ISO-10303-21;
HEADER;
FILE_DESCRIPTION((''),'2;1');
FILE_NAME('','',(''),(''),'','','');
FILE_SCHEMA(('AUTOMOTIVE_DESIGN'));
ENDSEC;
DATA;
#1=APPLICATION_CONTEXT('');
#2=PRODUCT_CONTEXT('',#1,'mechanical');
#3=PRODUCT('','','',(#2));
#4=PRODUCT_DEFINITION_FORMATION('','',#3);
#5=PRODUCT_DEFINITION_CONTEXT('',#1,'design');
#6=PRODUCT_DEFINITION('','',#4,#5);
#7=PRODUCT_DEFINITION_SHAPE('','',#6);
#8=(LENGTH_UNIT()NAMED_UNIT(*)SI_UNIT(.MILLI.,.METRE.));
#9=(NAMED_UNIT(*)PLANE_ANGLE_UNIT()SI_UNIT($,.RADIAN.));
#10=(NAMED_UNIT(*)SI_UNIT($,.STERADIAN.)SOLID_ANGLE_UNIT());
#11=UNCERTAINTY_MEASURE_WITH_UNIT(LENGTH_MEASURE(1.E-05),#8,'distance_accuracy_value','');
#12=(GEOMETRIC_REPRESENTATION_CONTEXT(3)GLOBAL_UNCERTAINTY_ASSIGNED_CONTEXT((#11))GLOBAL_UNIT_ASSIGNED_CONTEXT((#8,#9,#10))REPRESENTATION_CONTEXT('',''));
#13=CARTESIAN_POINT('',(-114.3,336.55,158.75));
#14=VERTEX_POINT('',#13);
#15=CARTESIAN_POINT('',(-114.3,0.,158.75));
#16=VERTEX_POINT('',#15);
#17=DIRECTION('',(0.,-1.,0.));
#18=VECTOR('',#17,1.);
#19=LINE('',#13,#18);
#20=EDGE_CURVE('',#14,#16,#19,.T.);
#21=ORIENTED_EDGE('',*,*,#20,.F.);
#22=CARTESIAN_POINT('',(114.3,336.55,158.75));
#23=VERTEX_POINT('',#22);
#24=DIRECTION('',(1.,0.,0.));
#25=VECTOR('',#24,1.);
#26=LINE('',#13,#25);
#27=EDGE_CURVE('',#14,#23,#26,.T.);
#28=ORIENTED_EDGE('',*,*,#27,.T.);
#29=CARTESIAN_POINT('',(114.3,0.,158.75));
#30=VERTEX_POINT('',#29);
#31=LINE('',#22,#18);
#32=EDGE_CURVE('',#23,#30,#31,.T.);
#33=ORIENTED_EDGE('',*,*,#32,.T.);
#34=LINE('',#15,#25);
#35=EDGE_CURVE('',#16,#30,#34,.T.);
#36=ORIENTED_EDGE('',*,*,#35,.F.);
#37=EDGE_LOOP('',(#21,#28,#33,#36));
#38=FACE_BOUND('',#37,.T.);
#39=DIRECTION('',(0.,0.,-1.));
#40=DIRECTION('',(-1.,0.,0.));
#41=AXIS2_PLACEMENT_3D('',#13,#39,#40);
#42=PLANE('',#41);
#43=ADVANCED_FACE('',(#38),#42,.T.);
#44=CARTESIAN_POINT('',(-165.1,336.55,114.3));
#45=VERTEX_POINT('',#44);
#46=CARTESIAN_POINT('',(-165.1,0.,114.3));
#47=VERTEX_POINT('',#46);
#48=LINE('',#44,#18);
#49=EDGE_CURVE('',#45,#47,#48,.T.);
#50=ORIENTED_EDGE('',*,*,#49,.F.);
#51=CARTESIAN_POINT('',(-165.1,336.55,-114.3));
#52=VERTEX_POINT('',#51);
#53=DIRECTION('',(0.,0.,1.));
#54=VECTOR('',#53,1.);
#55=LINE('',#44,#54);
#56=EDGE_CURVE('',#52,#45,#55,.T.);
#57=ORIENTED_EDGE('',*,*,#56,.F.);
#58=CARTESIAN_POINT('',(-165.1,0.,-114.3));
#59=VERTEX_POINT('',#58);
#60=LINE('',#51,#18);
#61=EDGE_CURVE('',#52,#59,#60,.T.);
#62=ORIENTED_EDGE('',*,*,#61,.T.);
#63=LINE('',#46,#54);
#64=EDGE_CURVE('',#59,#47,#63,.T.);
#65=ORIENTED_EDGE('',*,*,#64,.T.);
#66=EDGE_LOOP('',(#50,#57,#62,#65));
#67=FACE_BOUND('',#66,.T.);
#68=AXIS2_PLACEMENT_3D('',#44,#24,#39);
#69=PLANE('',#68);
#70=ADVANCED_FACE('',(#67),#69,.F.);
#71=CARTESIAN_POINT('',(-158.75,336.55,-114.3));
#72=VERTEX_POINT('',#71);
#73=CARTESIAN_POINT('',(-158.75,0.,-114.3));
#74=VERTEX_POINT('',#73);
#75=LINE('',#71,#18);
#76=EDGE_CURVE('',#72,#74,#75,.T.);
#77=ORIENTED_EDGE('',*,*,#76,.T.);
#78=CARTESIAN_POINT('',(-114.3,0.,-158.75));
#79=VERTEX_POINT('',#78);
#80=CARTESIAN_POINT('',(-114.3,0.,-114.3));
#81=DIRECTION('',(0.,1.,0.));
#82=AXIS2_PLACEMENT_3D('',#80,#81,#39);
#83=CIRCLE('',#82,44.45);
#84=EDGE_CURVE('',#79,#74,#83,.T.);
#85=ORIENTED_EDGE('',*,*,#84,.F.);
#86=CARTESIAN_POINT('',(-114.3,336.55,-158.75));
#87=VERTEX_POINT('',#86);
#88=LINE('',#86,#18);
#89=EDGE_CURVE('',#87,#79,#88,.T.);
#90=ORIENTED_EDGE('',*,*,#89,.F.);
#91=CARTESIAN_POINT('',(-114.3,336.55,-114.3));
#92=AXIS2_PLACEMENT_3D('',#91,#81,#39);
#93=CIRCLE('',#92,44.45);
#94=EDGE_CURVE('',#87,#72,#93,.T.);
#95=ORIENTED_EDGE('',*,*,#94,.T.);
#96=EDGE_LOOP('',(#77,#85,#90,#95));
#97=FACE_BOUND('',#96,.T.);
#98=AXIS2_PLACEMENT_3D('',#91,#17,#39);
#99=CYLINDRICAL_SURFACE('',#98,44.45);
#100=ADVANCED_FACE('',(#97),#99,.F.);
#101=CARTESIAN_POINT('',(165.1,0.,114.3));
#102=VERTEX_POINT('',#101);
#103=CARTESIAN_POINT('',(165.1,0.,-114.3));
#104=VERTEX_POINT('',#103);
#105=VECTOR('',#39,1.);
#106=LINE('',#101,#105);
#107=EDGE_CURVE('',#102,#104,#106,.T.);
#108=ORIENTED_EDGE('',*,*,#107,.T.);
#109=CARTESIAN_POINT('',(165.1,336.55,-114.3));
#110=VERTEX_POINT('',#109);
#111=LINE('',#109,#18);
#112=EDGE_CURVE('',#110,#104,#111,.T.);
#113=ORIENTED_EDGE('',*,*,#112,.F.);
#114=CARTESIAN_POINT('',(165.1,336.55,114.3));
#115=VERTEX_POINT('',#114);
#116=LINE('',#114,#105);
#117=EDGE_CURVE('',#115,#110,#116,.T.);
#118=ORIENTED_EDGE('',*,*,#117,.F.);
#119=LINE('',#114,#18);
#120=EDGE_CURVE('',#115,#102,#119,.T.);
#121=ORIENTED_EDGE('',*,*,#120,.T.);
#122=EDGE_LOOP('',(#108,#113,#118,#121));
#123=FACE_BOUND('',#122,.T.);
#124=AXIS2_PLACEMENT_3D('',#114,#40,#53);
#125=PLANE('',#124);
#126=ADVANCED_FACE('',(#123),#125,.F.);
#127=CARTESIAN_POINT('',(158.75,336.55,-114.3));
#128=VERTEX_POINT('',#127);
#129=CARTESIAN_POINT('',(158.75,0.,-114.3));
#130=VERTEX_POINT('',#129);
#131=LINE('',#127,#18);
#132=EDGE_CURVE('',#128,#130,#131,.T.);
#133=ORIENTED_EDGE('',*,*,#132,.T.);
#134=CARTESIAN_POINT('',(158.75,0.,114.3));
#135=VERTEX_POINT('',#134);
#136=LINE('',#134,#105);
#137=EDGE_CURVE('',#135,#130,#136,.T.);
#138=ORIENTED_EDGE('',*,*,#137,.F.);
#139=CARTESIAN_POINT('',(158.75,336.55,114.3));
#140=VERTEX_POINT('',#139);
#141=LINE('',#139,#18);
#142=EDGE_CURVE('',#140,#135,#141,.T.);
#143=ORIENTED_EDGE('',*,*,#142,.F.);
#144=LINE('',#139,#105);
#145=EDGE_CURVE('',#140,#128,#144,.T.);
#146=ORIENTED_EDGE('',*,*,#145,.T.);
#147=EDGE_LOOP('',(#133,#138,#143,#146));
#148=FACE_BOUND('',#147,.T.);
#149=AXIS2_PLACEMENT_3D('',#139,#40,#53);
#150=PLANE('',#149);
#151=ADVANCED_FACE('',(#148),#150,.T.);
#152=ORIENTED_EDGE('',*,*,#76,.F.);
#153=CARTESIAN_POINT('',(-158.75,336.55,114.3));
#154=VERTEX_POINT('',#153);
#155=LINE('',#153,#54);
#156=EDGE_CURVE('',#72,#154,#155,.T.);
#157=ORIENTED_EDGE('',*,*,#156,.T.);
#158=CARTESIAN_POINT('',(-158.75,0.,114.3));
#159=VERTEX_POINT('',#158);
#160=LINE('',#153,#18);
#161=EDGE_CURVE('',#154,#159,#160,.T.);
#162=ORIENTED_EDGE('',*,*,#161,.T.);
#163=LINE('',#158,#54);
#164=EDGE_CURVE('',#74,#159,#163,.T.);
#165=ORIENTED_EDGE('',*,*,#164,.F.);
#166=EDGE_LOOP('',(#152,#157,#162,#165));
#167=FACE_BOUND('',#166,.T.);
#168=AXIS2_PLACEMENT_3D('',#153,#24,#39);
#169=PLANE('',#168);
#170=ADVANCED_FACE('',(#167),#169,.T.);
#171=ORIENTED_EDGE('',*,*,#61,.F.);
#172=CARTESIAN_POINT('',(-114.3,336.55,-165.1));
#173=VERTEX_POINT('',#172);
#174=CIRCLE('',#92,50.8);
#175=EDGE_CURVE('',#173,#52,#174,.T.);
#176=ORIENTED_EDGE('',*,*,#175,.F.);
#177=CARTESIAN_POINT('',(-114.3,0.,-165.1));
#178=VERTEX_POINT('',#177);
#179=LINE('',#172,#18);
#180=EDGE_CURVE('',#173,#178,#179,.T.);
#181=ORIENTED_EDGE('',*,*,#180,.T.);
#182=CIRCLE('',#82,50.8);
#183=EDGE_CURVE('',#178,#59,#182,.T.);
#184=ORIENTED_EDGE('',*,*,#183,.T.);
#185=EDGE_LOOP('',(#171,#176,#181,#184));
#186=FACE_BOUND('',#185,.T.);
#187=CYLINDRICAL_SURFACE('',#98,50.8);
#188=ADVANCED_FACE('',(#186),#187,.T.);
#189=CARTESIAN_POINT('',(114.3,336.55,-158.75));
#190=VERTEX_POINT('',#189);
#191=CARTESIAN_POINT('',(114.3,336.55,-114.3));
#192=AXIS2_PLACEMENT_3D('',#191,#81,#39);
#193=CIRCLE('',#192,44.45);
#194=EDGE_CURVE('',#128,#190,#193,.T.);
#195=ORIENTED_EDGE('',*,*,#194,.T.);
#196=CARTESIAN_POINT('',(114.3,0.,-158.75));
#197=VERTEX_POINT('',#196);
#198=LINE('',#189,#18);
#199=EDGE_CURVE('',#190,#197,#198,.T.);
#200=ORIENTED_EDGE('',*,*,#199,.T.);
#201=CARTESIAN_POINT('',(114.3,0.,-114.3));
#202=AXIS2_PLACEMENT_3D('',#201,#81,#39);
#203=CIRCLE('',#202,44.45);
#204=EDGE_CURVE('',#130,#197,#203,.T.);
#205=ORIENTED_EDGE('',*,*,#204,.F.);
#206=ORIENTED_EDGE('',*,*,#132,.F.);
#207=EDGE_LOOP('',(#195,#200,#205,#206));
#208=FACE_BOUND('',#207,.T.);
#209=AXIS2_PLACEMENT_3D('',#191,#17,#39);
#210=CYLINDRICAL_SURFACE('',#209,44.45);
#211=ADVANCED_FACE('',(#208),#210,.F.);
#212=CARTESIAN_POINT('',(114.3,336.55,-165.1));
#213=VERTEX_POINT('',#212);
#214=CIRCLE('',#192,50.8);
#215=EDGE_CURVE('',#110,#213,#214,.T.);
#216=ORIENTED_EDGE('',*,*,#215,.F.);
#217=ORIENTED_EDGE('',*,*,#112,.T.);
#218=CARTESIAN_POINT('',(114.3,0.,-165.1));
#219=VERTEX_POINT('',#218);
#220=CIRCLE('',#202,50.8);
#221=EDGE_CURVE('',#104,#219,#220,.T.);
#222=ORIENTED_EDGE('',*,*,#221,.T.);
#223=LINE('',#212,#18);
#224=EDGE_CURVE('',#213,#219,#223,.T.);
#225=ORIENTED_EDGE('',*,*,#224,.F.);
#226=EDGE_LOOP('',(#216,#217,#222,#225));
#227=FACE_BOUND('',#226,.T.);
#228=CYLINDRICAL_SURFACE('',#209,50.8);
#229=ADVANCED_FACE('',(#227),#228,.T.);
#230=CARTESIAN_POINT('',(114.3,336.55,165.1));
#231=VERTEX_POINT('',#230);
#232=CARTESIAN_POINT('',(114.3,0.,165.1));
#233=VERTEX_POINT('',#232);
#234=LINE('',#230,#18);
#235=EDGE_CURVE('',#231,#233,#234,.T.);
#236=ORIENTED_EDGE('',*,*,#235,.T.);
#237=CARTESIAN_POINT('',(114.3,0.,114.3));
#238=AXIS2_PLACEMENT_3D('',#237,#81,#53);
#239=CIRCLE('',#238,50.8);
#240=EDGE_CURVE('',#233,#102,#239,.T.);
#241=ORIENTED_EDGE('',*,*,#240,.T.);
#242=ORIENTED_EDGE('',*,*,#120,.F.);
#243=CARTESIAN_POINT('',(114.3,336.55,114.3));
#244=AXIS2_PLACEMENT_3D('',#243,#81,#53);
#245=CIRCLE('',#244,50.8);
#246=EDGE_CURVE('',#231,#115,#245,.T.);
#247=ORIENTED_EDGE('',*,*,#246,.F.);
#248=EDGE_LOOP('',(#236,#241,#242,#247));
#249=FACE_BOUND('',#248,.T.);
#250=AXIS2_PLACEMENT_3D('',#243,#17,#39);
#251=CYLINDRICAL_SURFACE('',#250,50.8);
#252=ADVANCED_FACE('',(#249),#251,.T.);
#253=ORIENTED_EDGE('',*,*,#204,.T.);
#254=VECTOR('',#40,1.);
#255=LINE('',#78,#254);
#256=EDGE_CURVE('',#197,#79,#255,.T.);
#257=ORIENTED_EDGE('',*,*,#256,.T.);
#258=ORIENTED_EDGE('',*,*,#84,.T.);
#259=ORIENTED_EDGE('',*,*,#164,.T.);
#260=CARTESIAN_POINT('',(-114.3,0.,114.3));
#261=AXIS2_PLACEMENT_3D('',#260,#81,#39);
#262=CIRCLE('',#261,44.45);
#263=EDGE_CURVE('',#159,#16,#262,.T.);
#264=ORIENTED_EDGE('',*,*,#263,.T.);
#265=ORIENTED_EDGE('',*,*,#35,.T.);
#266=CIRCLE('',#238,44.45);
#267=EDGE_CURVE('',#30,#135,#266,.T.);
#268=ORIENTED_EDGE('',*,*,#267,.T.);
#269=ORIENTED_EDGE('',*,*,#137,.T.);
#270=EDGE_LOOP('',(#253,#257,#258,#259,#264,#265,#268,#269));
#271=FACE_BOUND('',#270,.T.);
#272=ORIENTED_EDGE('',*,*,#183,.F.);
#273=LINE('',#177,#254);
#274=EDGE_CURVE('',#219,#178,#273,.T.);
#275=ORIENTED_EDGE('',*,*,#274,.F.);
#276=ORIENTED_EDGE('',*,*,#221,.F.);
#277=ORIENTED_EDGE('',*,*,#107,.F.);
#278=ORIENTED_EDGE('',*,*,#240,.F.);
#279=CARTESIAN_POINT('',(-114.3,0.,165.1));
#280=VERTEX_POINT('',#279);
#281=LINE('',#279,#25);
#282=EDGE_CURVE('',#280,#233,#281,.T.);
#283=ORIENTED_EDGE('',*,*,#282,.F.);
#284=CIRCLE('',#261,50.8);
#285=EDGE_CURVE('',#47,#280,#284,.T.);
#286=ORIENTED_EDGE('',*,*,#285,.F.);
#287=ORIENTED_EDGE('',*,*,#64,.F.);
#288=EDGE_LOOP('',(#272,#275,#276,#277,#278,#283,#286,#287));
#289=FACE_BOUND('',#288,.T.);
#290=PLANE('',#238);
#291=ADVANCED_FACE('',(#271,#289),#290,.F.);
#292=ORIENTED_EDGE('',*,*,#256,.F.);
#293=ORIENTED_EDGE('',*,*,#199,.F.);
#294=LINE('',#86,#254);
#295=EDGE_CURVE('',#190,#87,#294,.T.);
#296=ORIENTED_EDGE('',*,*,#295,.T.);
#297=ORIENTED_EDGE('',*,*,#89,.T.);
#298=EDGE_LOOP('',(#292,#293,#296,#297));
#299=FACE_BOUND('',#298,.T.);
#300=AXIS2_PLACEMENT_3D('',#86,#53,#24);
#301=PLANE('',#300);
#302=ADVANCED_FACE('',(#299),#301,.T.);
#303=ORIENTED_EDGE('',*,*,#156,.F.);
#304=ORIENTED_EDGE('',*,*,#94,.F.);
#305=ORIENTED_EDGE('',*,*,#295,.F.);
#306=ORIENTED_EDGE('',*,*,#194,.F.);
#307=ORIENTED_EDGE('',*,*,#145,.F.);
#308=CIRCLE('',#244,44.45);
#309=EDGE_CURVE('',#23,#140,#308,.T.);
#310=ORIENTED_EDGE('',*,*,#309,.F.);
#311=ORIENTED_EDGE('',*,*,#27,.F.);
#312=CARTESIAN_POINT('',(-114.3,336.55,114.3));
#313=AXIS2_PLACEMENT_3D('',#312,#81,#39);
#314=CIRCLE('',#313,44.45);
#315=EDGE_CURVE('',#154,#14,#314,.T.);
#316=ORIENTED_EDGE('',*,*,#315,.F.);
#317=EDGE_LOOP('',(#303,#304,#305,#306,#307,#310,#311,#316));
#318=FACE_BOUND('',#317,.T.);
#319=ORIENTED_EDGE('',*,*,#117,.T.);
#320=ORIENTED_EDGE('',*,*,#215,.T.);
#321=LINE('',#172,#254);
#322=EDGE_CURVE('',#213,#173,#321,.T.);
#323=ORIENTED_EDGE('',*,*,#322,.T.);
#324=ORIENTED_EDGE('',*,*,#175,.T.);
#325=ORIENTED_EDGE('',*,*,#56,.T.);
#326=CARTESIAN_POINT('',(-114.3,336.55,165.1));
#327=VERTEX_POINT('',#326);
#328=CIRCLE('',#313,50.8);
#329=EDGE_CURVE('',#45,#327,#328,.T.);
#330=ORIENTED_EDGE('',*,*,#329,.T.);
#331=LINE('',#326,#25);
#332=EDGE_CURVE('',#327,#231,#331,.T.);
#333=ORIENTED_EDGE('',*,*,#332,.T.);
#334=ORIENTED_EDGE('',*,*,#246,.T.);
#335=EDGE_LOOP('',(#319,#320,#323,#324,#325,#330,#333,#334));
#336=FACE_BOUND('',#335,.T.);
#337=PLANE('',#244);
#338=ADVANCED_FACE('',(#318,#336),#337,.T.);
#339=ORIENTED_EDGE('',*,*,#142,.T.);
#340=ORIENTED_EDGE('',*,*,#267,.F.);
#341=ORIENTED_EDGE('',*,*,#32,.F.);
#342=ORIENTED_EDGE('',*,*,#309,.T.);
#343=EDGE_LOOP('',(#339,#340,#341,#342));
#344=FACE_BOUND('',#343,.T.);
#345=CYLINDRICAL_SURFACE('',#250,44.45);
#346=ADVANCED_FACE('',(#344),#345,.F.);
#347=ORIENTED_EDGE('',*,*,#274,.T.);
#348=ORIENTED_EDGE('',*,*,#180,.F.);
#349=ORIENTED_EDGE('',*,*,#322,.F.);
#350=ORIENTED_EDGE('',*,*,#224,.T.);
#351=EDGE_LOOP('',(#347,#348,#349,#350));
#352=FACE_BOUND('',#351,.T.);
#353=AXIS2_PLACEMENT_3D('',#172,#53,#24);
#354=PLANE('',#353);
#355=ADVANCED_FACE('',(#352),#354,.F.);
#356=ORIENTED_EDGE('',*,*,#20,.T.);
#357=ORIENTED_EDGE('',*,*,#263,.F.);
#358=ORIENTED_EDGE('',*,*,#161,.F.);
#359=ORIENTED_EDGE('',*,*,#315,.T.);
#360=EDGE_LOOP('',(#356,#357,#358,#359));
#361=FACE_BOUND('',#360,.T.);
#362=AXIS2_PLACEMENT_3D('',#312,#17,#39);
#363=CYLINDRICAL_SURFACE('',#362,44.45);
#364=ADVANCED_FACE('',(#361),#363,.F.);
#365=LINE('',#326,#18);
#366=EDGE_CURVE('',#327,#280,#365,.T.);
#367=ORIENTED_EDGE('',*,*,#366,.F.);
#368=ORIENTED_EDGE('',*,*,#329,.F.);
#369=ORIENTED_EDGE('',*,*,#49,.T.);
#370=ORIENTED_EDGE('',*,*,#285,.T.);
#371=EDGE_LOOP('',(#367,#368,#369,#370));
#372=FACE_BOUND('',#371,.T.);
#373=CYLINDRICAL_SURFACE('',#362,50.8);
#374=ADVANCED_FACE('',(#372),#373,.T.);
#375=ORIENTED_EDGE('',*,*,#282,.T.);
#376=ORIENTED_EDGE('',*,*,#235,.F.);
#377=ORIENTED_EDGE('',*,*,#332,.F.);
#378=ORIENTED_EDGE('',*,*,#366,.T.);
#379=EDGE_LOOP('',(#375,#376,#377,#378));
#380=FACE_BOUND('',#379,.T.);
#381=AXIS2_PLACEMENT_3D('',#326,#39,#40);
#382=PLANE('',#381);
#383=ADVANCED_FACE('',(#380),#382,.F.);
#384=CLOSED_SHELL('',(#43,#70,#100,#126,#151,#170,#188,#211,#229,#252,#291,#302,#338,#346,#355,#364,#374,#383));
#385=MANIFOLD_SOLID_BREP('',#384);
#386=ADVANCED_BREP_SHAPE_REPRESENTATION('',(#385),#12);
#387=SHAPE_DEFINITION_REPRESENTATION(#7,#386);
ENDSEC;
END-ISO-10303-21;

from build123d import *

# Parameters (mm, degrees)
BOSS_EXTRUDE1_DEPTH = 336.55


with BuildPart() as part:
    # Sketch1 → Boss-Extrude1 (new body)
    with BuildSketch(Plane(origin=(0, 0, 0), x_dir=(1, 0, 0), z_dir=(0, 1, 0))):
        with BuildLine():
            Line((-114.3, -165.1), (114.3, -165.1))
            ThreePointArc((114.3, -165.1), (150.221024484, -150.221024484), (165.1, -114.3))
            Line((165.1, -114.3), (165.1, 114.3))
            ThreePointArc((165.1, 114.3), (150.221024484, 150.221024484), (114.3, 165.1))
            Line((114.3, 165.1), (-114.3, 165.1))
            ThreePointArc((-114.3, 165.1), (-150.221024484, 150.221024484), (-165.1, 114.3))
            Line((-165.1, 114.3), (-165.1, -114.3))
            ThreePointArc((-165.1, -114.3), (-150.221024484, -150.221024484), (-114.3, -165.1))
        make_face()
        with BuildLine():
            Line((-114.3, 158.75), (114.3, 158.75))
            ThreePointArc((114.3, 158.75), (145.730896424, 145.730896424), (158.75, 114.3))
            Line((158.75, 114.3), (158.75, -114.3))
            ThreePointArc((158.75, -114.3), (145.730896424, -145.730896424), (114.3, -158.75))
            Line((114.3, -158.75), (-114.3, -158.75))
            ThreePointArc((-114.3, -158.75), (-145.730896424, -145.730896424), (-158.75, -114.3))
            Line((-158.75, -114.3), (-158.75, 114.3))
            ThreePointArc((-158.75, 114.3), (-145.730896424, 145.730896424), (-114.3, 158.75))
        make_face(mode=Mode.SUBTRACT)
    extrude(amount=BOSS_EXTRUDE1_DEPTH)


solid = part.part
